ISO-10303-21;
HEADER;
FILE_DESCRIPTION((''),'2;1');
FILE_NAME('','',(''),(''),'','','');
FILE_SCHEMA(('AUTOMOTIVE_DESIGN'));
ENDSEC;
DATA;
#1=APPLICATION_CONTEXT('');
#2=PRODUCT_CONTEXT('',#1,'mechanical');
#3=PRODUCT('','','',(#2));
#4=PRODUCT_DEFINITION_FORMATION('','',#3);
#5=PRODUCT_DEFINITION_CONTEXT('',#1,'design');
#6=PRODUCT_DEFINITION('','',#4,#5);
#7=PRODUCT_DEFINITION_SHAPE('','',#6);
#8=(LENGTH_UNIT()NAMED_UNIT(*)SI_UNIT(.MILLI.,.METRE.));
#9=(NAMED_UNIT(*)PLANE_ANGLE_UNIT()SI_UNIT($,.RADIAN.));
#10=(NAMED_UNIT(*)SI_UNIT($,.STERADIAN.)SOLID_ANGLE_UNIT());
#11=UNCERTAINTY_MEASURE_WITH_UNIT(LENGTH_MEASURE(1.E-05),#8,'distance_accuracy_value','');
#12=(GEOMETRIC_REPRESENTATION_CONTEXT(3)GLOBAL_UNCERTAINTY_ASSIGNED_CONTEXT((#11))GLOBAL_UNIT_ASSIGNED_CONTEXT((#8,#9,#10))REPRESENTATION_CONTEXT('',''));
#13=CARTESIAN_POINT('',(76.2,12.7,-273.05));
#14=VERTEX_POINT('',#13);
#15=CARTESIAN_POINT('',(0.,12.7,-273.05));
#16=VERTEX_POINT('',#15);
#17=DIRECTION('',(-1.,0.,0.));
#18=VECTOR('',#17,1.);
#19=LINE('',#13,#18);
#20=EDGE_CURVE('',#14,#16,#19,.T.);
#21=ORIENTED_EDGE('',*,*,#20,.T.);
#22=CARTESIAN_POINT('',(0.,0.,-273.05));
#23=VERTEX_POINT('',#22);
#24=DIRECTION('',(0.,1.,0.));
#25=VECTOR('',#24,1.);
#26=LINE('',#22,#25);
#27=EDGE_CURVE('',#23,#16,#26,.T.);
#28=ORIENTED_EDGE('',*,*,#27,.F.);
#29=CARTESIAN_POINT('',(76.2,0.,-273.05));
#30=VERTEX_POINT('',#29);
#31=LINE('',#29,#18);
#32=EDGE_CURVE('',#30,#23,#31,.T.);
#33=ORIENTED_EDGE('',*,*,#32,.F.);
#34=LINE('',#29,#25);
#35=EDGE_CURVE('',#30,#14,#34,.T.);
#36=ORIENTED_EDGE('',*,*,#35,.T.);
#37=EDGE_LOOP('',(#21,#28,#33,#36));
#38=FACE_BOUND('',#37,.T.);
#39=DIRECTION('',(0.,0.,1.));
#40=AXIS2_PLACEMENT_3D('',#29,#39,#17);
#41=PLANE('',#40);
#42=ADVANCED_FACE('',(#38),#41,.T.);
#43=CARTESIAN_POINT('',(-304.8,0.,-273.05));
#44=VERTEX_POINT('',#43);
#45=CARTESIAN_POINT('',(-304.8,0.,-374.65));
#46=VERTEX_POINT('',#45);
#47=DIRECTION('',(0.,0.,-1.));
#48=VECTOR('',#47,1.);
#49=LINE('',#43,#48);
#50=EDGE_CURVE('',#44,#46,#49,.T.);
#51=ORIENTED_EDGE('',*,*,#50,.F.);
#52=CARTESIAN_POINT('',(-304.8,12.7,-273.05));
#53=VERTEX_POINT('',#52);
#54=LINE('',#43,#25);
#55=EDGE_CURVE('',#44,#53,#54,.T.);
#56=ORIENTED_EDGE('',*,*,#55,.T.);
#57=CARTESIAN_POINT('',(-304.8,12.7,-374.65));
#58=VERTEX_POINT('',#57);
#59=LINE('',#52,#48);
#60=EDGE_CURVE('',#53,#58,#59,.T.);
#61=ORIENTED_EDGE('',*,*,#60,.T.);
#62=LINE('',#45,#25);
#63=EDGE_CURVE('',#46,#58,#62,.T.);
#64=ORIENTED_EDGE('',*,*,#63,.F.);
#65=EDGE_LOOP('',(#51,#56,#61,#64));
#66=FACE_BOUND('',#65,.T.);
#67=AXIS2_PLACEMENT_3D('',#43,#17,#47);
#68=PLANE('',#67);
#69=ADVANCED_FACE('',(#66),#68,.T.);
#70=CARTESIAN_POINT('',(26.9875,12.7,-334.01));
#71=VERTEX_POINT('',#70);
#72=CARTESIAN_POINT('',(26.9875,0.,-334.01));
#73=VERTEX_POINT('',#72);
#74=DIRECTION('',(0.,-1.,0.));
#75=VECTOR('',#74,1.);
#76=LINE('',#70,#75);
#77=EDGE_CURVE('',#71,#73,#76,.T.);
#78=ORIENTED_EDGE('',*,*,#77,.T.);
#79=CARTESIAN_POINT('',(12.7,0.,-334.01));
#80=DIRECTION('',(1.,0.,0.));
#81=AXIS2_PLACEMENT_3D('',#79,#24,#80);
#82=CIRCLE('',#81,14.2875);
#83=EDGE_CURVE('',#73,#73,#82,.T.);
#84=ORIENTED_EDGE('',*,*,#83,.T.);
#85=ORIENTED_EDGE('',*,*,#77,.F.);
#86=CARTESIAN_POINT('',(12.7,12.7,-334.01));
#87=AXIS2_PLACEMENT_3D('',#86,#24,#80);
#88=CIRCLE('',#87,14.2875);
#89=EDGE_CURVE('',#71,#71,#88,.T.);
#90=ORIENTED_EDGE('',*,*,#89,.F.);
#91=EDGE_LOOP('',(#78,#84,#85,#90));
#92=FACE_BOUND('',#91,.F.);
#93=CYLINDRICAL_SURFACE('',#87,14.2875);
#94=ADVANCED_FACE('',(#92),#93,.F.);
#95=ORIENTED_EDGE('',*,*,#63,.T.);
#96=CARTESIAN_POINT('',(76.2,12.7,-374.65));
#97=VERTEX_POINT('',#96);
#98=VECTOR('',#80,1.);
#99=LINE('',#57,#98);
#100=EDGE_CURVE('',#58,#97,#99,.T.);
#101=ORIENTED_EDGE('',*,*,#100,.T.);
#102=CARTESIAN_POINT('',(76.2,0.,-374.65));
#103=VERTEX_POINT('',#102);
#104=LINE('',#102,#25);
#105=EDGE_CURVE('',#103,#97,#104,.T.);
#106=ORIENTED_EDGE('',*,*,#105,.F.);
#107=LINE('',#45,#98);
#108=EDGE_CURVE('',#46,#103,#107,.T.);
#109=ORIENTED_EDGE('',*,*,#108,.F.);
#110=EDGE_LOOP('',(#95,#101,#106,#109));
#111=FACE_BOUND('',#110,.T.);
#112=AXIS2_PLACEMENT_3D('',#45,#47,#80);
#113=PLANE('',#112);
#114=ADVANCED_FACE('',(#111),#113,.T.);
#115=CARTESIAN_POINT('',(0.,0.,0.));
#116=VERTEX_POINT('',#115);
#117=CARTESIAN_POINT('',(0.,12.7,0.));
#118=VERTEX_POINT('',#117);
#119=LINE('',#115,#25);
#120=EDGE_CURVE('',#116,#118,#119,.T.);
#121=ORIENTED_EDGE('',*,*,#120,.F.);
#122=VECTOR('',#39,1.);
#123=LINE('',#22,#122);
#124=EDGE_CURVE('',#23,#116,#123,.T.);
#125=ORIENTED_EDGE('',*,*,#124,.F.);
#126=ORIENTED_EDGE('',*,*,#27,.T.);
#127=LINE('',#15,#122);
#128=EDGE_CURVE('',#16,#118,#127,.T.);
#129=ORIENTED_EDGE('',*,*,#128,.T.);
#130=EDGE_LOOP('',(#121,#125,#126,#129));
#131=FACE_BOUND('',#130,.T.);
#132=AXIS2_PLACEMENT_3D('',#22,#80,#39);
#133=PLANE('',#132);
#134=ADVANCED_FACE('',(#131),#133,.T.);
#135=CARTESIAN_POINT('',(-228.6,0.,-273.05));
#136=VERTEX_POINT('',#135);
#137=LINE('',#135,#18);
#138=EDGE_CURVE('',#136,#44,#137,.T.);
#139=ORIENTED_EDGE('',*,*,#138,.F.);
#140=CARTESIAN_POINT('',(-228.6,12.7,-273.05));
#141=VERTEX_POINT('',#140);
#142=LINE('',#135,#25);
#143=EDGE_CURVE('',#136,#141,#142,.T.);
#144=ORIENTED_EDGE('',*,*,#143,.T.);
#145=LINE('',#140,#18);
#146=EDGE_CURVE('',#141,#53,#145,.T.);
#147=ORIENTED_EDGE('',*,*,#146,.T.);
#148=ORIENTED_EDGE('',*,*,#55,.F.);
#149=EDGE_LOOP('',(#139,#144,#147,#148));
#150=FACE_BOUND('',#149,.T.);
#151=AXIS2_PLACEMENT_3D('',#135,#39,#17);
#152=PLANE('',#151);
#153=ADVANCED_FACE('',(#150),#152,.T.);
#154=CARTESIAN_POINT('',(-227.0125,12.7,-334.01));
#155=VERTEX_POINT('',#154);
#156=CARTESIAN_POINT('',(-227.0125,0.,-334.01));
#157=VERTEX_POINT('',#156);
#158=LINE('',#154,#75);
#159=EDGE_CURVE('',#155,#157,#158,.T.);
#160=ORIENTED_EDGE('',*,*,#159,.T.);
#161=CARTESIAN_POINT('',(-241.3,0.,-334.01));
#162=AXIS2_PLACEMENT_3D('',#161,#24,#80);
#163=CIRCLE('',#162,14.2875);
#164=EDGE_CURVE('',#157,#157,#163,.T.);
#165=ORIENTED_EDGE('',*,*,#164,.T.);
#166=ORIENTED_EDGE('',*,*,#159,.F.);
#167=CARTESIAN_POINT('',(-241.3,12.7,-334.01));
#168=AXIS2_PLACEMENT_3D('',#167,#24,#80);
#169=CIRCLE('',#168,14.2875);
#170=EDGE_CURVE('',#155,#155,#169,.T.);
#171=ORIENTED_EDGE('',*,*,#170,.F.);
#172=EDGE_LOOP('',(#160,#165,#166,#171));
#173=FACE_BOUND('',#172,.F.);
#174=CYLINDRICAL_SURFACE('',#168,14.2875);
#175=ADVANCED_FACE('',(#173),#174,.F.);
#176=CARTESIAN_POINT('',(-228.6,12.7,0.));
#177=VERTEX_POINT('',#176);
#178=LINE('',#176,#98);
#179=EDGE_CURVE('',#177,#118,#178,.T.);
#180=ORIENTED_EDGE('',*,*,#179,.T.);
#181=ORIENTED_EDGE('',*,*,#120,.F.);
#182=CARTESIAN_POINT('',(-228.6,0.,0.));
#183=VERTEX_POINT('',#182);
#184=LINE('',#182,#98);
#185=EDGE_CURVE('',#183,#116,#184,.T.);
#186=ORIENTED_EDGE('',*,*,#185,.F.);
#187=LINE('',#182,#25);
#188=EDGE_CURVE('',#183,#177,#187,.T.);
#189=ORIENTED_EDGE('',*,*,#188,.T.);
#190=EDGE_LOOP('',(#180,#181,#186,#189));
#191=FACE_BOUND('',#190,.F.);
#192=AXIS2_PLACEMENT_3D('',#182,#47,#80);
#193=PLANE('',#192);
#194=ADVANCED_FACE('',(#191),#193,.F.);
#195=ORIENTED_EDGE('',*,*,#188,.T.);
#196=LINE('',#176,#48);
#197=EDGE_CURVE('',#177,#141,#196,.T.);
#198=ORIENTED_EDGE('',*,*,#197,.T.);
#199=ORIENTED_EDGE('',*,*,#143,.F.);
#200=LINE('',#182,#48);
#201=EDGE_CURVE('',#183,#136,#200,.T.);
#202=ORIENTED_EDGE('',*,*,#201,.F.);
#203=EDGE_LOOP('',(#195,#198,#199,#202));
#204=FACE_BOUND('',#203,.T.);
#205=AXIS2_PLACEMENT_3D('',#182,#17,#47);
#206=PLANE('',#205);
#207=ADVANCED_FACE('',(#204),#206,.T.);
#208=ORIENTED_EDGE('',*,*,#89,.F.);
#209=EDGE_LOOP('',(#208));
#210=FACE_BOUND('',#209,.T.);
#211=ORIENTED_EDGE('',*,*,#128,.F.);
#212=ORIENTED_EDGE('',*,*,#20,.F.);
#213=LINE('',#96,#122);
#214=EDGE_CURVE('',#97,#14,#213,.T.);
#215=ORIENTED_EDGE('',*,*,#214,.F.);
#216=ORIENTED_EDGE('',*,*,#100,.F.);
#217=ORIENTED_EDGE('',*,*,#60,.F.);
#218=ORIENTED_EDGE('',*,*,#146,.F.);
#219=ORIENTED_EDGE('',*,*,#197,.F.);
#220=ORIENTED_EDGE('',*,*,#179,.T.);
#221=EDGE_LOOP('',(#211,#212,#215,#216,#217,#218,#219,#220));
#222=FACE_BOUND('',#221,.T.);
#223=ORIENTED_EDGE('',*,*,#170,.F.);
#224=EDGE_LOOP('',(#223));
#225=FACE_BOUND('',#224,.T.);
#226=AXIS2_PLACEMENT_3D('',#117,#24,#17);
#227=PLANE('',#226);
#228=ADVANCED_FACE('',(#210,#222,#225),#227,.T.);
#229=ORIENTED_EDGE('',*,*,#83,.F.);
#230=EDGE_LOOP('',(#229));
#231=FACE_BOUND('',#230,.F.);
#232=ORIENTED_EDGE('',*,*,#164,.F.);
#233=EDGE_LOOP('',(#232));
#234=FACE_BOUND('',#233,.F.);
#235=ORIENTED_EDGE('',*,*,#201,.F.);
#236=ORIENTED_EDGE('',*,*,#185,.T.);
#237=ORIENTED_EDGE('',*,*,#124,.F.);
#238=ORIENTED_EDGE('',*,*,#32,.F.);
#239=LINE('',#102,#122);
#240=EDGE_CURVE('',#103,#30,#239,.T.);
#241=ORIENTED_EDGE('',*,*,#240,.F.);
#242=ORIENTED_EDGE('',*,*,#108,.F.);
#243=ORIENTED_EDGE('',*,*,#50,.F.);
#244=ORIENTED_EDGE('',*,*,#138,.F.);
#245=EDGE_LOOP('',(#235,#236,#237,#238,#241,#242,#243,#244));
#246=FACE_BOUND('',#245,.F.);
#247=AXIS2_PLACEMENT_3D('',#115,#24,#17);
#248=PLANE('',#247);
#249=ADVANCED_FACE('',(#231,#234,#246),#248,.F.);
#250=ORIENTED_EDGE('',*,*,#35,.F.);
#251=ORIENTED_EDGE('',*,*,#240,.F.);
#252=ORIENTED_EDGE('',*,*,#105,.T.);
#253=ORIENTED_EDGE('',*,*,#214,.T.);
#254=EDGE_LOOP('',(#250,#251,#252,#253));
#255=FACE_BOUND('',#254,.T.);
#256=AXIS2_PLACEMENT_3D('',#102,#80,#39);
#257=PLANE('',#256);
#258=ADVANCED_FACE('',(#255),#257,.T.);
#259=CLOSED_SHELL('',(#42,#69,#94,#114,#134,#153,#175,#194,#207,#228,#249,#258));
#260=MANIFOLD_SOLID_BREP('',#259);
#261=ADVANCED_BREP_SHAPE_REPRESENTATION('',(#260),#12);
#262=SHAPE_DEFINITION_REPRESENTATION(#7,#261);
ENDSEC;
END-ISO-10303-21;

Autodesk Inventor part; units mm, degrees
ref_plane "YZ Plane" through (0, 0, 0) normal (1, 0, 0) x (0, 1, 0)
ref_plane "XZ Plane" through (0, 0, 0) normal (0, 1, 0) x (-1, 0, 0)
ref_plane "XY Plane" through (0, 0, 0) normal (0, 0, 1) x (1, 0, 0)
sketch "Sketch1" plane through (0, 0, 0) normal (0, 1, 0) x (-1, 0, 0)
  line L0 (228.6, 0) -> (228.6, -273.05)
  line L1 (0, -273.05) -> (0, 0)
  line L2 (0, 0) -> (-76.2, 0)
  line L3 (0, 0) -> (-76.2, 0)
  line L4 (228.6, 0) -> (0, 0)
  line L5 (228.6, -273.05) -> (304.8, -273.05)
  line L6 (304.8, -273.05) -> (304.8, -374.65)
  line L7 (304.8, -374.65) -> (-76.2, -374.65)
  line L8 (-76.2, -374.65) -> (-76.2, -273.05)
  line L9 (-76.2, -273.05) -> (0, -273.05)
  line L10 (114.3, -511.2369) -> (114.3, 135.5146) construction
  point P0 (304.8, 0)
  dimension "d1" = 273.05
  dimension "d8" = 228.6
  dimension "d9" = 76.2
  dimension "d10" = 76.2
  dimension "d11" = 101.6
extrude "Extrusion1" add sketch "Sketch1" along normal blind 12.7
sketch "Sketch2" plane through (0, 12.7, 0) normal (0, 1, 0) x (1, 0, 0)
  point P0 (0, 0)
sketch "Sketch3" plane through (0, 12.7, 0) normal (0, 1, 0) x (1, 0, 0)
  line L0 (-114.3, 418.531) -> (-114.3, -18.8119) construction
  circle A0 centre (-241.3, 334.01) radius 14.2875
  line L1 (-304.8, 273.05) -> (-228.6, 273.05) construction
  line L2 (0, 273.05) -> (76.2, 273.05) construction
  circle A1 centre (12.7, 334.01) radius 14.2875
  point P0 (0, 0)
  dimension "d19" = 114.3
  dimension "d20" = 28.575
  dimension "d23" = 60.96
  dimension "d26" = 127
  dimension "d27" = 28.575
  dimension "d28" = 60.96
  dimension "d29" = 127
extrude "Extrusion2" cut sketch "Sketch3" against normal through all
properties part number "shooter bottom" material "Wood (Oak)"
